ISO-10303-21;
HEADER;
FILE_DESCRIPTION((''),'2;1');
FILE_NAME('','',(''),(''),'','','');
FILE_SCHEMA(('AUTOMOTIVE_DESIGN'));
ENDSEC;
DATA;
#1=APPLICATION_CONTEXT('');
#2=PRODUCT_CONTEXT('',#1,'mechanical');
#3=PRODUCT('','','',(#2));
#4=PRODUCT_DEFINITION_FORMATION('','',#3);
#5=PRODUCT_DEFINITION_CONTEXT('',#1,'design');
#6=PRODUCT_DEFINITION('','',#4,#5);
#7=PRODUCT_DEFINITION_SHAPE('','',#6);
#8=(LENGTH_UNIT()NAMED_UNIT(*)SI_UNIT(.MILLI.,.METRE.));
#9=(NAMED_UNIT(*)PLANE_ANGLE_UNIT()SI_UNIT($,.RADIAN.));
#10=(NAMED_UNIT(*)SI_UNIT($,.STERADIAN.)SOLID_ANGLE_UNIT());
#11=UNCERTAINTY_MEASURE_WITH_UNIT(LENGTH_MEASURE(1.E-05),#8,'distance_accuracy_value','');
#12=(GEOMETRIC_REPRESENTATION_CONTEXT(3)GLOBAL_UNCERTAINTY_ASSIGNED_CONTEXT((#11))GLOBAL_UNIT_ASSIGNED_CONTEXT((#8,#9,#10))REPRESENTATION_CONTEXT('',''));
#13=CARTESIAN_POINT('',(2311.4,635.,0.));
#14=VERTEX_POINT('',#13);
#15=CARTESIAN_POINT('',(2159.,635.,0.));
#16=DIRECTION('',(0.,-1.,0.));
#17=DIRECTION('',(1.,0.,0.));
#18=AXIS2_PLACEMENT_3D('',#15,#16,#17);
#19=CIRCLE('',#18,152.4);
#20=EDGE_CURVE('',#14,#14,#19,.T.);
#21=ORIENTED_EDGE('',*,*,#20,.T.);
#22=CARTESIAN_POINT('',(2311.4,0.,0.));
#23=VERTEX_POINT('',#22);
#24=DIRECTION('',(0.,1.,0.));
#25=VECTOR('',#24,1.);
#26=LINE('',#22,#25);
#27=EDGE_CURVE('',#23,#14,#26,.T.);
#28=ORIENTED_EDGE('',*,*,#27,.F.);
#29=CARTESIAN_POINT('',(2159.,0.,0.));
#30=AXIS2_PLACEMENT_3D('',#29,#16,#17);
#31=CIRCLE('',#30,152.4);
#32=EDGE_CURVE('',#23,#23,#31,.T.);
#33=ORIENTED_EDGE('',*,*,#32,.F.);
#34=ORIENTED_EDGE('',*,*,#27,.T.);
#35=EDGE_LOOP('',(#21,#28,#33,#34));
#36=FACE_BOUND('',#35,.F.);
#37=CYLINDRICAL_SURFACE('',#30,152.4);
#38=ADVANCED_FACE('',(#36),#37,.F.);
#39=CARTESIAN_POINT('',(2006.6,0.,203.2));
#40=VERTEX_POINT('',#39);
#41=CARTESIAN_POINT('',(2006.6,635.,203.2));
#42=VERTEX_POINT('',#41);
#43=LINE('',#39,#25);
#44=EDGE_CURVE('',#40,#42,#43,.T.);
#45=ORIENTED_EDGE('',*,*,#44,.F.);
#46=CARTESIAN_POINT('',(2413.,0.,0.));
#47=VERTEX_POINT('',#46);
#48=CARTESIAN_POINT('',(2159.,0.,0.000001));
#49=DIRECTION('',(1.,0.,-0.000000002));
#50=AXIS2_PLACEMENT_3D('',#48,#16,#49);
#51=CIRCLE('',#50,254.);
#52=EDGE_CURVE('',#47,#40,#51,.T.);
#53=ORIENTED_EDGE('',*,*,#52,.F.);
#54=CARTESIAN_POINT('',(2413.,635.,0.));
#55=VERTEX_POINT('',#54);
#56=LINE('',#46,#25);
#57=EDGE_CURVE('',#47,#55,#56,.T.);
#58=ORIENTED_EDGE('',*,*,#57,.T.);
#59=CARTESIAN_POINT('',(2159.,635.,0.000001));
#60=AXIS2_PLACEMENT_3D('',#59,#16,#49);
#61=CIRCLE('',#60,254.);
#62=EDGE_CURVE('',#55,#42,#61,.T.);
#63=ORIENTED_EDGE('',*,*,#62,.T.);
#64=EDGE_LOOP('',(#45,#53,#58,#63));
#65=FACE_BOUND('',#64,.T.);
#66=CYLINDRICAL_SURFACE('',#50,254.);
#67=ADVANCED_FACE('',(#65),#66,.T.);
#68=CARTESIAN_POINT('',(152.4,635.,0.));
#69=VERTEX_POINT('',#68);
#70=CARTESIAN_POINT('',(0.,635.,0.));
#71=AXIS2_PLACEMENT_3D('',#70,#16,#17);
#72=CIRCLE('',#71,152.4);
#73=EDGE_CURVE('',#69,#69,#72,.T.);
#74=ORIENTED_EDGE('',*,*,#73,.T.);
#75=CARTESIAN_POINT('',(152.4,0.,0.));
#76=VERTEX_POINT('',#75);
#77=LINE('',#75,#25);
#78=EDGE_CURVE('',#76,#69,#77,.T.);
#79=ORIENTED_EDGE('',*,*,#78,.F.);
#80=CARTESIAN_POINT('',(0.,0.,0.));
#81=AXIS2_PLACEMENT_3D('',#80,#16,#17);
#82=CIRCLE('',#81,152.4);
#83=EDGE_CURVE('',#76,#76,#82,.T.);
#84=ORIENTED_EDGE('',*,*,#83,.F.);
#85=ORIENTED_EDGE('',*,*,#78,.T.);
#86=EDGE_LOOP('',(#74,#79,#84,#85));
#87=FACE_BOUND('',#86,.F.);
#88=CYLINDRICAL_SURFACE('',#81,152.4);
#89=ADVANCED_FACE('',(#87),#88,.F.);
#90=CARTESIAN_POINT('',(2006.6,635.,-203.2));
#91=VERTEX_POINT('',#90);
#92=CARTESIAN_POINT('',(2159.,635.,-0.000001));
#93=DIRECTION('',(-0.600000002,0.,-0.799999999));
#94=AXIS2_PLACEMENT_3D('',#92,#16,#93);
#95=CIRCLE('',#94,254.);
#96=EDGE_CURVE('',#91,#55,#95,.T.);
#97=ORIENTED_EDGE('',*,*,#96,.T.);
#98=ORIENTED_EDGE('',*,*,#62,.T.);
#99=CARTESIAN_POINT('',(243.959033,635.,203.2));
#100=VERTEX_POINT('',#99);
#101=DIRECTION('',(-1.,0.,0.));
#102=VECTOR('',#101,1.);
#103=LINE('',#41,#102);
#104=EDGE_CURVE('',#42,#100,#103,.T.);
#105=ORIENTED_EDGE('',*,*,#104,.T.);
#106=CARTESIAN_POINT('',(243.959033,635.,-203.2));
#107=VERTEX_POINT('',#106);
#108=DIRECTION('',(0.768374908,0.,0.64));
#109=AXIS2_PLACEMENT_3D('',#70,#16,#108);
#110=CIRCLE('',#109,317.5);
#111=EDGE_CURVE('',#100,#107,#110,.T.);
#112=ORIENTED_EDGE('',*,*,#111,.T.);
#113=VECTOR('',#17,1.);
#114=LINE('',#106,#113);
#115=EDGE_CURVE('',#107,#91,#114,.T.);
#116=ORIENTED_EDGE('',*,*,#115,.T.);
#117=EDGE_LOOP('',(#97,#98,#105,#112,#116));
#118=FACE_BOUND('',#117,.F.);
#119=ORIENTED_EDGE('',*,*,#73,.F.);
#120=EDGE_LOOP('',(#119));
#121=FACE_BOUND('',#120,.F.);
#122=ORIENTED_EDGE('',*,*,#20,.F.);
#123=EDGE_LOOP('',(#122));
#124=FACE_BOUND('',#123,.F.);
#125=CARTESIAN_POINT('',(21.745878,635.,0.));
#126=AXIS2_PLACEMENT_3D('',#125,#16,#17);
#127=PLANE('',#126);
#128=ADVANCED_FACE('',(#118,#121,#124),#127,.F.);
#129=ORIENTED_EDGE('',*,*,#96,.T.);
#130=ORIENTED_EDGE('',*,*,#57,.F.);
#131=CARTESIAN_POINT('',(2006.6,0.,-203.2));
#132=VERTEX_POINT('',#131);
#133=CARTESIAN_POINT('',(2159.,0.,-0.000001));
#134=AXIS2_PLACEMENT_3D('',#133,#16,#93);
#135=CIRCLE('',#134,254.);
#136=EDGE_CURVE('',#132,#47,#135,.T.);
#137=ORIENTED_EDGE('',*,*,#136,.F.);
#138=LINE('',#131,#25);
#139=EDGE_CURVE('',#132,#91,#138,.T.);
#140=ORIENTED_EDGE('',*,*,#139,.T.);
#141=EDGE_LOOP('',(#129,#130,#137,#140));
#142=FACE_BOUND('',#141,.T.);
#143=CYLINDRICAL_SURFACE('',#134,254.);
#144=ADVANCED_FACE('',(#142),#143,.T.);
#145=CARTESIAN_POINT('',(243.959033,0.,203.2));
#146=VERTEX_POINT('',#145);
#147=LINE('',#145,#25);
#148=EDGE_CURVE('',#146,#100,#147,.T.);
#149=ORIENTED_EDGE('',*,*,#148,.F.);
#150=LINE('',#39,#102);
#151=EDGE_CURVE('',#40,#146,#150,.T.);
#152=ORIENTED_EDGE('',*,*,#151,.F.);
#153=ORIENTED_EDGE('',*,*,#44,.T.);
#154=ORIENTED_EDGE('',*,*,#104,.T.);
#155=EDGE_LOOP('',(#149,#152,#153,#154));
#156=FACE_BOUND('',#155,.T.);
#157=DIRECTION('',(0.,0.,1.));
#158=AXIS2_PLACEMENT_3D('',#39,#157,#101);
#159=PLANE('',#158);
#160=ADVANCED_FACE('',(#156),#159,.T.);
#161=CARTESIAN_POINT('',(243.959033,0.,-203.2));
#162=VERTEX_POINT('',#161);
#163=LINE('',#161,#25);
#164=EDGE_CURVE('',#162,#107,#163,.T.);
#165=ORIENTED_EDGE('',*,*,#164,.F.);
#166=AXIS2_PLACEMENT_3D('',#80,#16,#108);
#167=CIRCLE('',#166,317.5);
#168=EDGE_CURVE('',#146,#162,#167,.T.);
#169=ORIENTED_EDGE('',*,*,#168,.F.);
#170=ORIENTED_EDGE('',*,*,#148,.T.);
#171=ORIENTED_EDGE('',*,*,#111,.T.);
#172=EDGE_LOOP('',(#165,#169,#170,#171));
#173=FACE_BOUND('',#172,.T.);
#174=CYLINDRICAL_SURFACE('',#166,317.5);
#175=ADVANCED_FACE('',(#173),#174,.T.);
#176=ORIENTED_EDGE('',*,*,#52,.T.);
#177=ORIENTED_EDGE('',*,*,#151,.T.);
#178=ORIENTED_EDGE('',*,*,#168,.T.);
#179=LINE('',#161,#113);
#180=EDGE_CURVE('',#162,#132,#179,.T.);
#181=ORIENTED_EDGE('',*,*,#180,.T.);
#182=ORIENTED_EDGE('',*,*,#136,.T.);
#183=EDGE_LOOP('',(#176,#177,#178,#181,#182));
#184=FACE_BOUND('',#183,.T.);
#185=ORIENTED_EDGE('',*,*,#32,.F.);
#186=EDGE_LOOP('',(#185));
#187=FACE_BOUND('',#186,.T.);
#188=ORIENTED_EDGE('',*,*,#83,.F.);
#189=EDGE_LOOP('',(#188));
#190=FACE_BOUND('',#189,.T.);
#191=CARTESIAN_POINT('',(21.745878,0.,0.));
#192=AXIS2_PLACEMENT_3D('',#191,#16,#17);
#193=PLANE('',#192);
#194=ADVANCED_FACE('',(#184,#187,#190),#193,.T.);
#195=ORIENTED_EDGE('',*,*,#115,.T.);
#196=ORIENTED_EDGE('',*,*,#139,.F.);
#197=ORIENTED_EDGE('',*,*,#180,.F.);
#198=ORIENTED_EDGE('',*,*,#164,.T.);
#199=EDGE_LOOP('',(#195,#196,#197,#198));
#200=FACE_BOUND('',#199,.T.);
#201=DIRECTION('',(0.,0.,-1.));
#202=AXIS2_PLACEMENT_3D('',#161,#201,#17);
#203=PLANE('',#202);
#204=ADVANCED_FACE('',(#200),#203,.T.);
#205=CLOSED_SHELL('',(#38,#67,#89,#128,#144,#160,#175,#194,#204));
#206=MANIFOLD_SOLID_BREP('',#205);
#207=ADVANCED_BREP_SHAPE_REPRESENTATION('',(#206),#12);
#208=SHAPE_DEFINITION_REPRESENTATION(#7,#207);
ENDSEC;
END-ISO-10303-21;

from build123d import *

# Parameters (mm, degrees)
F0_R     = 152.4
F1_DEPTH = 635


with BuildPart() as f1:
    # F0 (on Front) → F1 (new body)
    with BuildSketch(Plane.XZ):
        with BuildLine():
            ThreePointArc((243.959033, -203.2), (298.549195, -108.049195), (317.5, 0))
            ThreePointArc((317.5, 0), (298.549195, 108.049195), (243.959033, 203.2))
            ThreePointArc((243.959033, 203.2), (-317.5, 0), (243.959033, -203.2))
        make_face()
        Circle(F0_R, mode=Mode.SUBTRACT)
        with BuildLine():
            ThreePointArc((243.959033, 203.2), (298.549195, 108.049195), (317.5, 0))
            ThreePointArc((317.5, 0), (298.549195, -108.049195), (243.959033, -203.2))
            Line((243.959033, -203.2), (2006.6, -203.2))
            ThreePointArc((2006.6, -203.2), (1905, 0), (2006.6, 203.2))
            Line((2006.6, 203.2), (243.959033, 203.2))
        make_face()
        with BuildLine():
            ThreePointArc((2413, 0), (2272.592253, 227.184507), (2006.6, 203.2))
            ThreePointArc((2006.6, 203.2), (1905, 0), (2006.6, -203.2))
            ThreePointArc((2006.6, -203.2), (2272.592253, -227.184507), (2413, 0))
        make_face()
        with Locations((2159, 0)):
            Circle(F0_R, mode=Mode.SUBTRACT)
    extrude(amount=-F1_DEPTH)


solid = f1.part
